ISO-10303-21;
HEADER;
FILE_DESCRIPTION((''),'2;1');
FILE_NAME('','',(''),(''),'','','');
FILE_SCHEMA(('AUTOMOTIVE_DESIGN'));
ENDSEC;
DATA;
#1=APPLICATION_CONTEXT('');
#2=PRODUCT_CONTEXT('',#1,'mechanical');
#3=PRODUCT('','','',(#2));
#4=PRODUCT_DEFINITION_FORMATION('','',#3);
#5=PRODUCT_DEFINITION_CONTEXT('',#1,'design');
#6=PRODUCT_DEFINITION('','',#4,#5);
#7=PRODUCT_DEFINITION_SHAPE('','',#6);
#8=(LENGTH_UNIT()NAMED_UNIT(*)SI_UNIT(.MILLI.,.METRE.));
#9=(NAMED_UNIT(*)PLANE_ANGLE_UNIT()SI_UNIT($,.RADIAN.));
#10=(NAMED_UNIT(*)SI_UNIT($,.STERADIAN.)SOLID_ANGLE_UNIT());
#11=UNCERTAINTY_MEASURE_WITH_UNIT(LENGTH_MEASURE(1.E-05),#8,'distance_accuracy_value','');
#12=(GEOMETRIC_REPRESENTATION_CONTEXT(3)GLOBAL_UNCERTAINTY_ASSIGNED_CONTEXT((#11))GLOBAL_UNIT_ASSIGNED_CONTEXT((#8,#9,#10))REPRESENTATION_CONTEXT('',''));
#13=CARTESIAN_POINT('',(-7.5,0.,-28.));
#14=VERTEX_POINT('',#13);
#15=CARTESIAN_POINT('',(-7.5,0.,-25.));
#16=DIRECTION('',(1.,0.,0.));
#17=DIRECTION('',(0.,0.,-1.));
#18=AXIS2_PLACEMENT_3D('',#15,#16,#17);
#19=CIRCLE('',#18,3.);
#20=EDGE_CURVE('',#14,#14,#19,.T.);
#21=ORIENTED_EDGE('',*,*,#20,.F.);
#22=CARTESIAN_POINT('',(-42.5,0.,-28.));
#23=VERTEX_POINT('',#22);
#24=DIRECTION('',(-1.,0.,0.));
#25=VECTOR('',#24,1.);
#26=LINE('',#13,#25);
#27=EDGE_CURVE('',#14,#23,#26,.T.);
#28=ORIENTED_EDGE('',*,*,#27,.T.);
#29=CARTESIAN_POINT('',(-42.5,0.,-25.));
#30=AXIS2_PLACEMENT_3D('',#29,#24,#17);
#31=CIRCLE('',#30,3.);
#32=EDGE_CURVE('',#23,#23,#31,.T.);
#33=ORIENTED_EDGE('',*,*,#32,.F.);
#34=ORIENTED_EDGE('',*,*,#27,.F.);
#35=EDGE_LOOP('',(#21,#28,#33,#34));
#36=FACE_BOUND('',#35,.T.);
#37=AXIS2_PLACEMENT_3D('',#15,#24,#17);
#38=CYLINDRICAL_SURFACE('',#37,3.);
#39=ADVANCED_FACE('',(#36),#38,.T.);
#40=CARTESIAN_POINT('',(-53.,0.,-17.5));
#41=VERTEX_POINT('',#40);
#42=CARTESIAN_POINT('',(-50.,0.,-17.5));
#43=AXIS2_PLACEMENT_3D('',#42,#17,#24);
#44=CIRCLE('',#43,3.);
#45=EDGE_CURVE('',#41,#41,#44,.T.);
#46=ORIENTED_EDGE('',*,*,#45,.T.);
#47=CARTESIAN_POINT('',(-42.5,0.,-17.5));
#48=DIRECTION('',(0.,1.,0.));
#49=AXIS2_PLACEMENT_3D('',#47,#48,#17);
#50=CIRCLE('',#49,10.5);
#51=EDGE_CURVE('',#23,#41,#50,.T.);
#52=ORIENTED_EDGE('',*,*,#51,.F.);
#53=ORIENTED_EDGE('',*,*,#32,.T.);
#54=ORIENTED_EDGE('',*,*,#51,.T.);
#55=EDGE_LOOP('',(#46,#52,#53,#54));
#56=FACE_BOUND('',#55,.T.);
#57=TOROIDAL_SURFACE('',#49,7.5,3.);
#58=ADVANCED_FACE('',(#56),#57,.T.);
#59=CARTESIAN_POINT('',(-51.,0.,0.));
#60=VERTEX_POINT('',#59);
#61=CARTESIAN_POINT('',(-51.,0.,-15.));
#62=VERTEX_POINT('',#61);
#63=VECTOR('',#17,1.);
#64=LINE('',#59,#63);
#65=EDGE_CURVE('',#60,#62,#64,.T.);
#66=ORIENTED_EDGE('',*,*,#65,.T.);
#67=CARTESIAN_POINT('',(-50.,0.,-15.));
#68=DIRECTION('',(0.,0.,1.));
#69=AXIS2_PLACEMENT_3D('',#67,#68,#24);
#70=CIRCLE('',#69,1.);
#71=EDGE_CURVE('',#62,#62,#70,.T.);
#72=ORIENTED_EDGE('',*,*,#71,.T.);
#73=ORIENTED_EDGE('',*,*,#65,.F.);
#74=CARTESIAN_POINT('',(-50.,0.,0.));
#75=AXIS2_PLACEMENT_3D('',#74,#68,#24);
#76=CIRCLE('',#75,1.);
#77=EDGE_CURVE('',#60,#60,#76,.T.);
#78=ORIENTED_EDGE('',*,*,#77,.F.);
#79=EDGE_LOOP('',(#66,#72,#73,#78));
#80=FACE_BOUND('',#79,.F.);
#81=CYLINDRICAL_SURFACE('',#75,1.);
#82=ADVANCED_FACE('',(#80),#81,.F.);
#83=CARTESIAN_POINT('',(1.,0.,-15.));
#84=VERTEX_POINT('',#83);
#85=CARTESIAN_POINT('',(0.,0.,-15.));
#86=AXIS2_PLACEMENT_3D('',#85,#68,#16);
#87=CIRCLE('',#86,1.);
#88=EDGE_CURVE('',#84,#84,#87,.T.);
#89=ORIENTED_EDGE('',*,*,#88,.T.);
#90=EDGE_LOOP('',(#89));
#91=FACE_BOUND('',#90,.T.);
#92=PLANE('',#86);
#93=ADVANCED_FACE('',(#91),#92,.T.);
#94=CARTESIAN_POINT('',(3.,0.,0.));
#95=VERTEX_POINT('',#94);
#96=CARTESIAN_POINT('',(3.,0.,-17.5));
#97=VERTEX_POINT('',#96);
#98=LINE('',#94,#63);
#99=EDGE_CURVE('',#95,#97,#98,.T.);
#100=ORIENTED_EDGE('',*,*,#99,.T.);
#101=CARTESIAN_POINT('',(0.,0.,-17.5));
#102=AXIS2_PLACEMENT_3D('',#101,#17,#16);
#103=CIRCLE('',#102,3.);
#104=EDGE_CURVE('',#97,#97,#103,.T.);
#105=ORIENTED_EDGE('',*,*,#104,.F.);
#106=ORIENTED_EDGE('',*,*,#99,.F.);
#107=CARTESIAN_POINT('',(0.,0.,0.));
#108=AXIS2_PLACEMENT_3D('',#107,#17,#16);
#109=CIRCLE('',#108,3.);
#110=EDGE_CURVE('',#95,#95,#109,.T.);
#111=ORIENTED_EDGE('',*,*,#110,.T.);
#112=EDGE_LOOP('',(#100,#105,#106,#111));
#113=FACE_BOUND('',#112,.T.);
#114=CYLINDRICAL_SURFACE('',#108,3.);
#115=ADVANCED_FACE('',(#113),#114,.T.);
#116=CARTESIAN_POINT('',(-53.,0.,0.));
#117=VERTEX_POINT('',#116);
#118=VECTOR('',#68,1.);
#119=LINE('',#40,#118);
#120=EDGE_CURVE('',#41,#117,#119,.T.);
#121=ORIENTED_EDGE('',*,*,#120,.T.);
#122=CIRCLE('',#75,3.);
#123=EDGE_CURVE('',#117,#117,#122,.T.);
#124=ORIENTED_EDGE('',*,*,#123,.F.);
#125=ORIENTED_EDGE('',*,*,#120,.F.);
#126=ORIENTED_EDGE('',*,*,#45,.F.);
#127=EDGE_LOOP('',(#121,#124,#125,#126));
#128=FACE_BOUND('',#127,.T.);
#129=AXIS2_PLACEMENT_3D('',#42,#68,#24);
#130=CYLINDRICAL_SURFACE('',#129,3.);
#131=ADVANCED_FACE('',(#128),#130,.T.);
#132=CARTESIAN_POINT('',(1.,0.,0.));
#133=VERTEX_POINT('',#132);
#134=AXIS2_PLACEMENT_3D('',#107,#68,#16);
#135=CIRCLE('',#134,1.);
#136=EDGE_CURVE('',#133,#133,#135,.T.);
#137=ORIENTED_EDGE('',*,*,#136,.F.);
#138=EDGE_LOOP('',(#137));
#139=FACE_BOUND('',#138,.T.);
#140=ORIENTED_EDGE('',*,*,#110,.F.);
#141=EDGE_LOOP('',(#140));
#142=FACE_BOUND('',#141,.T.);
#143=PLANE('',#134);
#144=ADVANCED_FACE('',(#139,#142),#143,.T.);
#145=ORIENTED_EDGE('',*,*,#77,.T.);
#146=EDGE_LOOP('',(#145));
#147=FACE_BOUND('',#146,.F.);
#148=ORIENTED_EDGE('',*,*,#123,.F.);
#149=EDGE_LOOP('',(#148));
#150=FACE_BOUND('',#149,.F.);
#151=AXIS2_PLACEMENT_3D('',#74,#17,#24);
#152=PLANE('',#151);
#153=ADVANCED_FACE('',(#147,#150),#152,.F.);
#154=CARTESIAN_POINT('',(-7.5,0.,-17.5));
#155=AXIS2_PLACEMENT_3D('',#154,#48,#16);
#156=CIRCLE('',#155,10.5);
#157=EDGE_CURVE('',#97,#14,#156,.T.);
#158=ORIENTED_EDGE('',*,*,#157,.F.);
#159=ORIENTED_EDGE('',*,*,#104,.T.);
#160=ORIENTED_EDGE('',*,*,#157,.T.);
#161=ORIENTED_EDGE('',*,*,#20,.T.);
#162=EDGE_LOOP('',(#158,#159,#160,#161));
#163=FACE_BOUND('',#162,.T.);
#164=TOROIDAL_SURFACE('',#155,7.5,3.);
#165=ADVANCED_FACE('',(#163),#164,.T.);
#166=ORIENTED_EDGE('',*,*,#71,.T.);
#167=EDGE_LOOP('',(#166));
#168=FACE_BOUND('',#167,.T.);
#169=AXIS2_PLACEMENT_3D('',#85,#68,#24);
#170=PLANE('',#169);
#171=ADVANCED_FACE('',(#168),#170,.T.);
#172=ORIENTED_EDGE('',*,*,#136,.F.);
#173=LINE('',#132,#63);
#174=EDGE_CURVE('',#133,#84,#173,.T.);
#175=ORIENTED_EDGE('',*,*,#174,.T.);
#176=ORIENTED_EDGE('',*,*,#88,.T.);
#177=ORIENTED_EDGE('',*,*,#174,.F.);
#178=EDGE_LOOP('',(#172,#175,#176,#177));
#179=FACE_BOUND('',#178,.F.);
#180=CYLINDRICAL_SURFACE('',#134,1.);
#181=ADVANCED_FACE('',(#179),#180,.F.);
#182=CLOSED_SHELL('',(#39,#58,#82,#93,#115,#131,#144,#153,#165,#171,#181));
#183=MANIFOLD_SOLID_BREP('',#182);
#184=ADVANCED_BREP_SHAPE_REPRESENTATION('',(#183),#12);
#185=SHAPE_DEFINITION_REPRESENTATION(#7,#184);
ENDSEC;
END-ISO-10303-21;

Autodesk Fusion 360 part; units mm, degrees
sketch "Sketch1" plane through (0, 0, 0) normal (0, 0, 1) x (1, 0, 0)
sketch "Sketch2" plane through (0, 0, 0) normal (0, 0, 1) x (1, 0, 0)
  circle A0 centre (0, 0) radius 3
  dimension "d1" = 6
sketch "Sketch3" plane through (0, 0, 0) normal (0, 1, 0) x (1, 0, 0)
  line L0 (0, 0) -> (0, 17.5)
  line L1 (-7.5, 25) -> (-42.5, 25)
  line L2 (-50, 17.5) -> (-50, 0)
  arc A0 (0, 17.5) -> (-7.5, 25) centre (-7.5, 17.5) ccw
  arc A1 (-42.5, 25) -> (-50, 17.5) centre (-42.5, 17.5) ccw
  point P0 (0, 25)
  point P1 (-50, 25)
  dimension "d2" = 25
  dimension "d4" = 7.5
  dimension "d5" = 7.5
sweep "Sweep1" add profiles "Sketch2" path "Sketch3" along L0 A0 L1 A1 L2 section 1
sketch "Sketch4" plane through (0, 0, 0) normal (0, 0, 1) x (1, 0, 0)
  circle A0 centre (0, 0) radius 1
  dimension "d12" = 2
extrude "Extrude1" cut sketch "Sketch4" against normal blind 15
sketch "Sketch5" plane through (0, 0, 0) normal (0, 0, 1) x (-1, 0, 0)
  circle A0 centre (50, 0) radius 3
  circle A1 centre (50, 0) radius 1
  dimension "d15" = 2
extrude "Extrude2" cut sketch "Sketch5" against normal blind 15 contours A1
